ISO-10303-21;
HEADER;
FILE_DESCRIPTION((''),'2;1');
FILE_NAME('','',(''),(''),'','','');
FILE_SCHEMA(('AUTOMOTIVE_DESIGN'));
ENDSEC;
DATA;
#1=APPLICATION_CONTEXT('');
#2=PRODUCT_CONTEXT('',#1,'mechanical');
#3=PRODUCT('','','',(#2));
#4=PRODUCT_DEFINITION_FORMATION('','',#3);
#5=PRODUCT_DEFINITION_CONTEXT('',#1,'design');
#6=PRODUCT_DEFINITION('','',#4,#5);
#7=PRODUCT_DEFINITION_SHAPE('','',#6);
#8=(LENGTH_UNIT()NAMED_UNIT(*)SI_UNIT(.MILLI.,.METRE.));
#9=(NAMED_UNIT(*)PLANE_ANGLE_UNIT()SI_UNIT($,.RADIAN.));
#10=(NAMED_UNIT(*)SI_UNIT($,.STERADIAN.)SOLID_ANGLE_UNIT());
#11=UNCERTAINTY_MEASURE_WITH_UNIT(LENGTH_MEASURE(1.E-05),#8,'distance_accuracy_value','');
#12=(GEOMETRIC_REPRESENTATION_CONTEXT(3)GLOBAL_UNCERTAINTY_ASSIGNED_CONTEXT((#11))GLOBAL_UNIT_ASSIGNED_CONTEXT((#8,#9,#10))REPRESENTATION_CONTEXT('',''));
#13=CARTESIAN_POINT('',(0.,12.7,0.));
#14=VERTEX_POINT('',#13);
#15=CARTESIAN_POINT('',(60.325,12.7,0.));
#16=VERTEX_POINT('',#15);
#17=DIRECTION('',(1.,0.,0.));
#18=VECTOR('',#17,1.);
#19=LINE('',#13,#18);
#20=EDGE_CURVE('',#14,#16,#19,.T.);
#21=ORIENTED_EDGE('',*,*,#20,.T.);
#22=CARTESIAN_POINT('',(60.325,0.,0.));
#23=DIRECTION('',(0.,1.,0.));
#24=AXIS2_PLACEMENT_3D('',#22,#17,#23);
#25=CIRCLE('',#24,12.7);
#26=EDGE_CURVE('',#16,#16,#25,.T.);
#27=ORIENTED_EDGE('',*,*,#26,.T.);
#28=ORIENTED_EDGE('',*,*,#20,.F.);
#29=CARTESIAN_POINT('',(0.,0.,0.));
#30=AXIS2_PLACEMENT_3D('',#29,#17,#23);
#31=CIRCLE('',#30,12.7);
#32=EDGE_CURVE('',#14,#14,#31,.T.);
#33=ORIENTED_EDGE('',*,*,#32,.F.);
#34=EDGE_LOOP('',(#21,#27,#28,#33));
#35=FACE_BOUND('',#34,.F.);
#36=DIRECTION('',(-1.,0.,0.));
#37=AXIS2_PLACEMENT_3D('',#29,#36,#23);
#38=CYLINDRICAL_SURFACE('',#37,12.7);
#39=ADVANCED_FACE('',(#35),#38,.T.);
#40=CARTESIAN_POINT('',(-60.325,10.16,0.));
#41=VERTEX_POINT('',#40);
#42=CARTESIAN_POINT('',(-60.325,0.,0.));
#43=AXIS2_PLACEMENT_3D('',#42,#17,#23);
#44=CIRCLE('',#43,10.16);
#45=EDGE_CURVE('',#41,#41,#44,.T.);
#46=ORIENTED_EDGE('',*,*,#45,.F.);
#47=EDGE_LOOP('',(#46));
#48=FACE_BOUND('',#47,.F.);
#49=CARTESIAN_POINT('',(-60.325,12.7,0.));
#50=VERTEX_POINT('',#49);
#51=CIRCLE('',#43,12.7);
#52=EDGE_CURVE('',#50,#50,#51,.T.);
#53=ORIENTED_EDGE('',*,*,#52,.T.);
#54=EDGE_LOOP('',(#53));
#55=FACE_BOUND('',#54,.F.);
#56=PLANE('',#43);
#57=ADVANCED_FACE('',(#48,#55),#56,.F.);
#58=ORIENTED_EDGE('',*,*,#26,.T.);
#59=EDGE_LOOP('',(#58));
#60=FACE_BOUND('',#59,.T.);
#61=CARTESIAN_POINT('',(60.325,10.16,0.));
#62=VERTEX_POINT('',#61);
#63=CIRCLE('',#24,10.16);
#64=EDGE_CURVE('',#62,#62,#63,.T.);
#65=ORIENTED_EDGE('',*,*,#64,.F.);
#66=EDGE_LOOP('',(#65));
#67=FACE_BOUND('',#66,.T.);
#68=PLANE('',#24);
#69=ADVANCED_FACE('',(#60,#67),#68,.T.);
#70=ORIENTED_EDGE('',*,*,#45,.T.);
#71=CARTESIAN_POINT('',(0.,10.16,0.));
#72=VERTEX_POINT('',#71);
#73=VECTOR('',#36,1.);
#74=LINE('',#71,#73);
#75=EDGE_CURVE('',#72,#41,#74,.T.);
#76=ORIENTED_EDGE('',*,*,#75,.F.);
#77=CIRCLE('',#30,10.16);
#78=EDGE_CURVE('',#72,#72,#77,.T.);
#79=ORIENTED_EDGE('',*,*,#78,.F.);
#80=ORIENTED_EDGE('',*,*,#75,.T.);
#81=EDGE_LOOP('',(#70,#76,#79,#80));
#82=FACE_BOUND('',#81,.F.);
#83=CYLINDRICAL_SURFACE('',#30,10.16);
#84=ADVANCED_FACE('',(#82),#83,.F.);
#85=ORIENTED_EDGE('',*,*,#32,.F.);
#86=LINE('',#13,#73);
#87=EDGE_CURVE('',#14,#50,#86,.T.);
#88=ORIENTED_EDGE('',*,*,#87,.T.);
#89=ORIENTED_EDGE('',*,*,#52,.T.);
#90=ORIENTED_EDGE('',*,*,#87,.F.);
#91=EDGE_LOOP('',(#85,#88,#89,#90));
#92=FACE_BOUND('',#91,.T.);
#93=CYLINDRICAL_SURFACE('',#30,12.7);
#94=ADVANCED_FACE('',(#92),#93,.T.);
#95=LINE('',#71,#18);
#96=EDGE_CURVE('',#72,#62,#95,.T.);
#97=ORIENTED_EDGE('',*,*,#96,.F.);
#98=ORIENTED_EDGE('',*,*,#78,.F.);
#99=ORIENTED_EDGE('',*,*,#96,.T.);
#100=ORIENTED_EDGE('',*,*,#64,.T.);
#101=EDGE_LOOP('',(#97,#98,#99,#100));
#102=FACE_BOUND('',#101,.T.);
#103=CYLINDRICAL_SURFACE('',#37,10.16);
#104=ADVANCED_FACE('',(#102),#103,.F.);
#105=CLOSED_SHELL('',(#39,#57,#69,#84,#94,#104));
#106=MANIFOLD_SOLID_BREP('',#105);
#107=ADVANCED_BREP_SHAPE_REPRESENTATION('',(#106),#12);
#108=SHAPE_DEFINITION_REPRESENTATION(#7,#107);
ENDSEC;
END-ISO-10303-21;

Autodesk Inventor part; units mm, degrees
ref_plane "YZ Plane" through (0, 0, 0) normal (1, 0, 0) x (0, 1, 0)
ref_plane "XZ Plane" through (0, 0, 0) normal (0, 1, 0) x (-1, 0, 0)
ref_plane "XY Plane" through (0, 0, 0) normal (0, 0, 1) x (1, 0, 0)
sketch "Sketch1" plane through (0, 0, 0) normal (1, 0, 0) x (0, 1, 0)
  circle A0 centre (0, 0) radius 12.7
  circle A1 centre (0, 0) radius 10.16
  dimension "d0" = 25.4
  dimension "d2" = 2.54
extrude "Extrusion1" add sketch "Sketch1" along normal mid plane 120.65
properties part number "NASA-20-TB-01" material "Aluminum 6061"
